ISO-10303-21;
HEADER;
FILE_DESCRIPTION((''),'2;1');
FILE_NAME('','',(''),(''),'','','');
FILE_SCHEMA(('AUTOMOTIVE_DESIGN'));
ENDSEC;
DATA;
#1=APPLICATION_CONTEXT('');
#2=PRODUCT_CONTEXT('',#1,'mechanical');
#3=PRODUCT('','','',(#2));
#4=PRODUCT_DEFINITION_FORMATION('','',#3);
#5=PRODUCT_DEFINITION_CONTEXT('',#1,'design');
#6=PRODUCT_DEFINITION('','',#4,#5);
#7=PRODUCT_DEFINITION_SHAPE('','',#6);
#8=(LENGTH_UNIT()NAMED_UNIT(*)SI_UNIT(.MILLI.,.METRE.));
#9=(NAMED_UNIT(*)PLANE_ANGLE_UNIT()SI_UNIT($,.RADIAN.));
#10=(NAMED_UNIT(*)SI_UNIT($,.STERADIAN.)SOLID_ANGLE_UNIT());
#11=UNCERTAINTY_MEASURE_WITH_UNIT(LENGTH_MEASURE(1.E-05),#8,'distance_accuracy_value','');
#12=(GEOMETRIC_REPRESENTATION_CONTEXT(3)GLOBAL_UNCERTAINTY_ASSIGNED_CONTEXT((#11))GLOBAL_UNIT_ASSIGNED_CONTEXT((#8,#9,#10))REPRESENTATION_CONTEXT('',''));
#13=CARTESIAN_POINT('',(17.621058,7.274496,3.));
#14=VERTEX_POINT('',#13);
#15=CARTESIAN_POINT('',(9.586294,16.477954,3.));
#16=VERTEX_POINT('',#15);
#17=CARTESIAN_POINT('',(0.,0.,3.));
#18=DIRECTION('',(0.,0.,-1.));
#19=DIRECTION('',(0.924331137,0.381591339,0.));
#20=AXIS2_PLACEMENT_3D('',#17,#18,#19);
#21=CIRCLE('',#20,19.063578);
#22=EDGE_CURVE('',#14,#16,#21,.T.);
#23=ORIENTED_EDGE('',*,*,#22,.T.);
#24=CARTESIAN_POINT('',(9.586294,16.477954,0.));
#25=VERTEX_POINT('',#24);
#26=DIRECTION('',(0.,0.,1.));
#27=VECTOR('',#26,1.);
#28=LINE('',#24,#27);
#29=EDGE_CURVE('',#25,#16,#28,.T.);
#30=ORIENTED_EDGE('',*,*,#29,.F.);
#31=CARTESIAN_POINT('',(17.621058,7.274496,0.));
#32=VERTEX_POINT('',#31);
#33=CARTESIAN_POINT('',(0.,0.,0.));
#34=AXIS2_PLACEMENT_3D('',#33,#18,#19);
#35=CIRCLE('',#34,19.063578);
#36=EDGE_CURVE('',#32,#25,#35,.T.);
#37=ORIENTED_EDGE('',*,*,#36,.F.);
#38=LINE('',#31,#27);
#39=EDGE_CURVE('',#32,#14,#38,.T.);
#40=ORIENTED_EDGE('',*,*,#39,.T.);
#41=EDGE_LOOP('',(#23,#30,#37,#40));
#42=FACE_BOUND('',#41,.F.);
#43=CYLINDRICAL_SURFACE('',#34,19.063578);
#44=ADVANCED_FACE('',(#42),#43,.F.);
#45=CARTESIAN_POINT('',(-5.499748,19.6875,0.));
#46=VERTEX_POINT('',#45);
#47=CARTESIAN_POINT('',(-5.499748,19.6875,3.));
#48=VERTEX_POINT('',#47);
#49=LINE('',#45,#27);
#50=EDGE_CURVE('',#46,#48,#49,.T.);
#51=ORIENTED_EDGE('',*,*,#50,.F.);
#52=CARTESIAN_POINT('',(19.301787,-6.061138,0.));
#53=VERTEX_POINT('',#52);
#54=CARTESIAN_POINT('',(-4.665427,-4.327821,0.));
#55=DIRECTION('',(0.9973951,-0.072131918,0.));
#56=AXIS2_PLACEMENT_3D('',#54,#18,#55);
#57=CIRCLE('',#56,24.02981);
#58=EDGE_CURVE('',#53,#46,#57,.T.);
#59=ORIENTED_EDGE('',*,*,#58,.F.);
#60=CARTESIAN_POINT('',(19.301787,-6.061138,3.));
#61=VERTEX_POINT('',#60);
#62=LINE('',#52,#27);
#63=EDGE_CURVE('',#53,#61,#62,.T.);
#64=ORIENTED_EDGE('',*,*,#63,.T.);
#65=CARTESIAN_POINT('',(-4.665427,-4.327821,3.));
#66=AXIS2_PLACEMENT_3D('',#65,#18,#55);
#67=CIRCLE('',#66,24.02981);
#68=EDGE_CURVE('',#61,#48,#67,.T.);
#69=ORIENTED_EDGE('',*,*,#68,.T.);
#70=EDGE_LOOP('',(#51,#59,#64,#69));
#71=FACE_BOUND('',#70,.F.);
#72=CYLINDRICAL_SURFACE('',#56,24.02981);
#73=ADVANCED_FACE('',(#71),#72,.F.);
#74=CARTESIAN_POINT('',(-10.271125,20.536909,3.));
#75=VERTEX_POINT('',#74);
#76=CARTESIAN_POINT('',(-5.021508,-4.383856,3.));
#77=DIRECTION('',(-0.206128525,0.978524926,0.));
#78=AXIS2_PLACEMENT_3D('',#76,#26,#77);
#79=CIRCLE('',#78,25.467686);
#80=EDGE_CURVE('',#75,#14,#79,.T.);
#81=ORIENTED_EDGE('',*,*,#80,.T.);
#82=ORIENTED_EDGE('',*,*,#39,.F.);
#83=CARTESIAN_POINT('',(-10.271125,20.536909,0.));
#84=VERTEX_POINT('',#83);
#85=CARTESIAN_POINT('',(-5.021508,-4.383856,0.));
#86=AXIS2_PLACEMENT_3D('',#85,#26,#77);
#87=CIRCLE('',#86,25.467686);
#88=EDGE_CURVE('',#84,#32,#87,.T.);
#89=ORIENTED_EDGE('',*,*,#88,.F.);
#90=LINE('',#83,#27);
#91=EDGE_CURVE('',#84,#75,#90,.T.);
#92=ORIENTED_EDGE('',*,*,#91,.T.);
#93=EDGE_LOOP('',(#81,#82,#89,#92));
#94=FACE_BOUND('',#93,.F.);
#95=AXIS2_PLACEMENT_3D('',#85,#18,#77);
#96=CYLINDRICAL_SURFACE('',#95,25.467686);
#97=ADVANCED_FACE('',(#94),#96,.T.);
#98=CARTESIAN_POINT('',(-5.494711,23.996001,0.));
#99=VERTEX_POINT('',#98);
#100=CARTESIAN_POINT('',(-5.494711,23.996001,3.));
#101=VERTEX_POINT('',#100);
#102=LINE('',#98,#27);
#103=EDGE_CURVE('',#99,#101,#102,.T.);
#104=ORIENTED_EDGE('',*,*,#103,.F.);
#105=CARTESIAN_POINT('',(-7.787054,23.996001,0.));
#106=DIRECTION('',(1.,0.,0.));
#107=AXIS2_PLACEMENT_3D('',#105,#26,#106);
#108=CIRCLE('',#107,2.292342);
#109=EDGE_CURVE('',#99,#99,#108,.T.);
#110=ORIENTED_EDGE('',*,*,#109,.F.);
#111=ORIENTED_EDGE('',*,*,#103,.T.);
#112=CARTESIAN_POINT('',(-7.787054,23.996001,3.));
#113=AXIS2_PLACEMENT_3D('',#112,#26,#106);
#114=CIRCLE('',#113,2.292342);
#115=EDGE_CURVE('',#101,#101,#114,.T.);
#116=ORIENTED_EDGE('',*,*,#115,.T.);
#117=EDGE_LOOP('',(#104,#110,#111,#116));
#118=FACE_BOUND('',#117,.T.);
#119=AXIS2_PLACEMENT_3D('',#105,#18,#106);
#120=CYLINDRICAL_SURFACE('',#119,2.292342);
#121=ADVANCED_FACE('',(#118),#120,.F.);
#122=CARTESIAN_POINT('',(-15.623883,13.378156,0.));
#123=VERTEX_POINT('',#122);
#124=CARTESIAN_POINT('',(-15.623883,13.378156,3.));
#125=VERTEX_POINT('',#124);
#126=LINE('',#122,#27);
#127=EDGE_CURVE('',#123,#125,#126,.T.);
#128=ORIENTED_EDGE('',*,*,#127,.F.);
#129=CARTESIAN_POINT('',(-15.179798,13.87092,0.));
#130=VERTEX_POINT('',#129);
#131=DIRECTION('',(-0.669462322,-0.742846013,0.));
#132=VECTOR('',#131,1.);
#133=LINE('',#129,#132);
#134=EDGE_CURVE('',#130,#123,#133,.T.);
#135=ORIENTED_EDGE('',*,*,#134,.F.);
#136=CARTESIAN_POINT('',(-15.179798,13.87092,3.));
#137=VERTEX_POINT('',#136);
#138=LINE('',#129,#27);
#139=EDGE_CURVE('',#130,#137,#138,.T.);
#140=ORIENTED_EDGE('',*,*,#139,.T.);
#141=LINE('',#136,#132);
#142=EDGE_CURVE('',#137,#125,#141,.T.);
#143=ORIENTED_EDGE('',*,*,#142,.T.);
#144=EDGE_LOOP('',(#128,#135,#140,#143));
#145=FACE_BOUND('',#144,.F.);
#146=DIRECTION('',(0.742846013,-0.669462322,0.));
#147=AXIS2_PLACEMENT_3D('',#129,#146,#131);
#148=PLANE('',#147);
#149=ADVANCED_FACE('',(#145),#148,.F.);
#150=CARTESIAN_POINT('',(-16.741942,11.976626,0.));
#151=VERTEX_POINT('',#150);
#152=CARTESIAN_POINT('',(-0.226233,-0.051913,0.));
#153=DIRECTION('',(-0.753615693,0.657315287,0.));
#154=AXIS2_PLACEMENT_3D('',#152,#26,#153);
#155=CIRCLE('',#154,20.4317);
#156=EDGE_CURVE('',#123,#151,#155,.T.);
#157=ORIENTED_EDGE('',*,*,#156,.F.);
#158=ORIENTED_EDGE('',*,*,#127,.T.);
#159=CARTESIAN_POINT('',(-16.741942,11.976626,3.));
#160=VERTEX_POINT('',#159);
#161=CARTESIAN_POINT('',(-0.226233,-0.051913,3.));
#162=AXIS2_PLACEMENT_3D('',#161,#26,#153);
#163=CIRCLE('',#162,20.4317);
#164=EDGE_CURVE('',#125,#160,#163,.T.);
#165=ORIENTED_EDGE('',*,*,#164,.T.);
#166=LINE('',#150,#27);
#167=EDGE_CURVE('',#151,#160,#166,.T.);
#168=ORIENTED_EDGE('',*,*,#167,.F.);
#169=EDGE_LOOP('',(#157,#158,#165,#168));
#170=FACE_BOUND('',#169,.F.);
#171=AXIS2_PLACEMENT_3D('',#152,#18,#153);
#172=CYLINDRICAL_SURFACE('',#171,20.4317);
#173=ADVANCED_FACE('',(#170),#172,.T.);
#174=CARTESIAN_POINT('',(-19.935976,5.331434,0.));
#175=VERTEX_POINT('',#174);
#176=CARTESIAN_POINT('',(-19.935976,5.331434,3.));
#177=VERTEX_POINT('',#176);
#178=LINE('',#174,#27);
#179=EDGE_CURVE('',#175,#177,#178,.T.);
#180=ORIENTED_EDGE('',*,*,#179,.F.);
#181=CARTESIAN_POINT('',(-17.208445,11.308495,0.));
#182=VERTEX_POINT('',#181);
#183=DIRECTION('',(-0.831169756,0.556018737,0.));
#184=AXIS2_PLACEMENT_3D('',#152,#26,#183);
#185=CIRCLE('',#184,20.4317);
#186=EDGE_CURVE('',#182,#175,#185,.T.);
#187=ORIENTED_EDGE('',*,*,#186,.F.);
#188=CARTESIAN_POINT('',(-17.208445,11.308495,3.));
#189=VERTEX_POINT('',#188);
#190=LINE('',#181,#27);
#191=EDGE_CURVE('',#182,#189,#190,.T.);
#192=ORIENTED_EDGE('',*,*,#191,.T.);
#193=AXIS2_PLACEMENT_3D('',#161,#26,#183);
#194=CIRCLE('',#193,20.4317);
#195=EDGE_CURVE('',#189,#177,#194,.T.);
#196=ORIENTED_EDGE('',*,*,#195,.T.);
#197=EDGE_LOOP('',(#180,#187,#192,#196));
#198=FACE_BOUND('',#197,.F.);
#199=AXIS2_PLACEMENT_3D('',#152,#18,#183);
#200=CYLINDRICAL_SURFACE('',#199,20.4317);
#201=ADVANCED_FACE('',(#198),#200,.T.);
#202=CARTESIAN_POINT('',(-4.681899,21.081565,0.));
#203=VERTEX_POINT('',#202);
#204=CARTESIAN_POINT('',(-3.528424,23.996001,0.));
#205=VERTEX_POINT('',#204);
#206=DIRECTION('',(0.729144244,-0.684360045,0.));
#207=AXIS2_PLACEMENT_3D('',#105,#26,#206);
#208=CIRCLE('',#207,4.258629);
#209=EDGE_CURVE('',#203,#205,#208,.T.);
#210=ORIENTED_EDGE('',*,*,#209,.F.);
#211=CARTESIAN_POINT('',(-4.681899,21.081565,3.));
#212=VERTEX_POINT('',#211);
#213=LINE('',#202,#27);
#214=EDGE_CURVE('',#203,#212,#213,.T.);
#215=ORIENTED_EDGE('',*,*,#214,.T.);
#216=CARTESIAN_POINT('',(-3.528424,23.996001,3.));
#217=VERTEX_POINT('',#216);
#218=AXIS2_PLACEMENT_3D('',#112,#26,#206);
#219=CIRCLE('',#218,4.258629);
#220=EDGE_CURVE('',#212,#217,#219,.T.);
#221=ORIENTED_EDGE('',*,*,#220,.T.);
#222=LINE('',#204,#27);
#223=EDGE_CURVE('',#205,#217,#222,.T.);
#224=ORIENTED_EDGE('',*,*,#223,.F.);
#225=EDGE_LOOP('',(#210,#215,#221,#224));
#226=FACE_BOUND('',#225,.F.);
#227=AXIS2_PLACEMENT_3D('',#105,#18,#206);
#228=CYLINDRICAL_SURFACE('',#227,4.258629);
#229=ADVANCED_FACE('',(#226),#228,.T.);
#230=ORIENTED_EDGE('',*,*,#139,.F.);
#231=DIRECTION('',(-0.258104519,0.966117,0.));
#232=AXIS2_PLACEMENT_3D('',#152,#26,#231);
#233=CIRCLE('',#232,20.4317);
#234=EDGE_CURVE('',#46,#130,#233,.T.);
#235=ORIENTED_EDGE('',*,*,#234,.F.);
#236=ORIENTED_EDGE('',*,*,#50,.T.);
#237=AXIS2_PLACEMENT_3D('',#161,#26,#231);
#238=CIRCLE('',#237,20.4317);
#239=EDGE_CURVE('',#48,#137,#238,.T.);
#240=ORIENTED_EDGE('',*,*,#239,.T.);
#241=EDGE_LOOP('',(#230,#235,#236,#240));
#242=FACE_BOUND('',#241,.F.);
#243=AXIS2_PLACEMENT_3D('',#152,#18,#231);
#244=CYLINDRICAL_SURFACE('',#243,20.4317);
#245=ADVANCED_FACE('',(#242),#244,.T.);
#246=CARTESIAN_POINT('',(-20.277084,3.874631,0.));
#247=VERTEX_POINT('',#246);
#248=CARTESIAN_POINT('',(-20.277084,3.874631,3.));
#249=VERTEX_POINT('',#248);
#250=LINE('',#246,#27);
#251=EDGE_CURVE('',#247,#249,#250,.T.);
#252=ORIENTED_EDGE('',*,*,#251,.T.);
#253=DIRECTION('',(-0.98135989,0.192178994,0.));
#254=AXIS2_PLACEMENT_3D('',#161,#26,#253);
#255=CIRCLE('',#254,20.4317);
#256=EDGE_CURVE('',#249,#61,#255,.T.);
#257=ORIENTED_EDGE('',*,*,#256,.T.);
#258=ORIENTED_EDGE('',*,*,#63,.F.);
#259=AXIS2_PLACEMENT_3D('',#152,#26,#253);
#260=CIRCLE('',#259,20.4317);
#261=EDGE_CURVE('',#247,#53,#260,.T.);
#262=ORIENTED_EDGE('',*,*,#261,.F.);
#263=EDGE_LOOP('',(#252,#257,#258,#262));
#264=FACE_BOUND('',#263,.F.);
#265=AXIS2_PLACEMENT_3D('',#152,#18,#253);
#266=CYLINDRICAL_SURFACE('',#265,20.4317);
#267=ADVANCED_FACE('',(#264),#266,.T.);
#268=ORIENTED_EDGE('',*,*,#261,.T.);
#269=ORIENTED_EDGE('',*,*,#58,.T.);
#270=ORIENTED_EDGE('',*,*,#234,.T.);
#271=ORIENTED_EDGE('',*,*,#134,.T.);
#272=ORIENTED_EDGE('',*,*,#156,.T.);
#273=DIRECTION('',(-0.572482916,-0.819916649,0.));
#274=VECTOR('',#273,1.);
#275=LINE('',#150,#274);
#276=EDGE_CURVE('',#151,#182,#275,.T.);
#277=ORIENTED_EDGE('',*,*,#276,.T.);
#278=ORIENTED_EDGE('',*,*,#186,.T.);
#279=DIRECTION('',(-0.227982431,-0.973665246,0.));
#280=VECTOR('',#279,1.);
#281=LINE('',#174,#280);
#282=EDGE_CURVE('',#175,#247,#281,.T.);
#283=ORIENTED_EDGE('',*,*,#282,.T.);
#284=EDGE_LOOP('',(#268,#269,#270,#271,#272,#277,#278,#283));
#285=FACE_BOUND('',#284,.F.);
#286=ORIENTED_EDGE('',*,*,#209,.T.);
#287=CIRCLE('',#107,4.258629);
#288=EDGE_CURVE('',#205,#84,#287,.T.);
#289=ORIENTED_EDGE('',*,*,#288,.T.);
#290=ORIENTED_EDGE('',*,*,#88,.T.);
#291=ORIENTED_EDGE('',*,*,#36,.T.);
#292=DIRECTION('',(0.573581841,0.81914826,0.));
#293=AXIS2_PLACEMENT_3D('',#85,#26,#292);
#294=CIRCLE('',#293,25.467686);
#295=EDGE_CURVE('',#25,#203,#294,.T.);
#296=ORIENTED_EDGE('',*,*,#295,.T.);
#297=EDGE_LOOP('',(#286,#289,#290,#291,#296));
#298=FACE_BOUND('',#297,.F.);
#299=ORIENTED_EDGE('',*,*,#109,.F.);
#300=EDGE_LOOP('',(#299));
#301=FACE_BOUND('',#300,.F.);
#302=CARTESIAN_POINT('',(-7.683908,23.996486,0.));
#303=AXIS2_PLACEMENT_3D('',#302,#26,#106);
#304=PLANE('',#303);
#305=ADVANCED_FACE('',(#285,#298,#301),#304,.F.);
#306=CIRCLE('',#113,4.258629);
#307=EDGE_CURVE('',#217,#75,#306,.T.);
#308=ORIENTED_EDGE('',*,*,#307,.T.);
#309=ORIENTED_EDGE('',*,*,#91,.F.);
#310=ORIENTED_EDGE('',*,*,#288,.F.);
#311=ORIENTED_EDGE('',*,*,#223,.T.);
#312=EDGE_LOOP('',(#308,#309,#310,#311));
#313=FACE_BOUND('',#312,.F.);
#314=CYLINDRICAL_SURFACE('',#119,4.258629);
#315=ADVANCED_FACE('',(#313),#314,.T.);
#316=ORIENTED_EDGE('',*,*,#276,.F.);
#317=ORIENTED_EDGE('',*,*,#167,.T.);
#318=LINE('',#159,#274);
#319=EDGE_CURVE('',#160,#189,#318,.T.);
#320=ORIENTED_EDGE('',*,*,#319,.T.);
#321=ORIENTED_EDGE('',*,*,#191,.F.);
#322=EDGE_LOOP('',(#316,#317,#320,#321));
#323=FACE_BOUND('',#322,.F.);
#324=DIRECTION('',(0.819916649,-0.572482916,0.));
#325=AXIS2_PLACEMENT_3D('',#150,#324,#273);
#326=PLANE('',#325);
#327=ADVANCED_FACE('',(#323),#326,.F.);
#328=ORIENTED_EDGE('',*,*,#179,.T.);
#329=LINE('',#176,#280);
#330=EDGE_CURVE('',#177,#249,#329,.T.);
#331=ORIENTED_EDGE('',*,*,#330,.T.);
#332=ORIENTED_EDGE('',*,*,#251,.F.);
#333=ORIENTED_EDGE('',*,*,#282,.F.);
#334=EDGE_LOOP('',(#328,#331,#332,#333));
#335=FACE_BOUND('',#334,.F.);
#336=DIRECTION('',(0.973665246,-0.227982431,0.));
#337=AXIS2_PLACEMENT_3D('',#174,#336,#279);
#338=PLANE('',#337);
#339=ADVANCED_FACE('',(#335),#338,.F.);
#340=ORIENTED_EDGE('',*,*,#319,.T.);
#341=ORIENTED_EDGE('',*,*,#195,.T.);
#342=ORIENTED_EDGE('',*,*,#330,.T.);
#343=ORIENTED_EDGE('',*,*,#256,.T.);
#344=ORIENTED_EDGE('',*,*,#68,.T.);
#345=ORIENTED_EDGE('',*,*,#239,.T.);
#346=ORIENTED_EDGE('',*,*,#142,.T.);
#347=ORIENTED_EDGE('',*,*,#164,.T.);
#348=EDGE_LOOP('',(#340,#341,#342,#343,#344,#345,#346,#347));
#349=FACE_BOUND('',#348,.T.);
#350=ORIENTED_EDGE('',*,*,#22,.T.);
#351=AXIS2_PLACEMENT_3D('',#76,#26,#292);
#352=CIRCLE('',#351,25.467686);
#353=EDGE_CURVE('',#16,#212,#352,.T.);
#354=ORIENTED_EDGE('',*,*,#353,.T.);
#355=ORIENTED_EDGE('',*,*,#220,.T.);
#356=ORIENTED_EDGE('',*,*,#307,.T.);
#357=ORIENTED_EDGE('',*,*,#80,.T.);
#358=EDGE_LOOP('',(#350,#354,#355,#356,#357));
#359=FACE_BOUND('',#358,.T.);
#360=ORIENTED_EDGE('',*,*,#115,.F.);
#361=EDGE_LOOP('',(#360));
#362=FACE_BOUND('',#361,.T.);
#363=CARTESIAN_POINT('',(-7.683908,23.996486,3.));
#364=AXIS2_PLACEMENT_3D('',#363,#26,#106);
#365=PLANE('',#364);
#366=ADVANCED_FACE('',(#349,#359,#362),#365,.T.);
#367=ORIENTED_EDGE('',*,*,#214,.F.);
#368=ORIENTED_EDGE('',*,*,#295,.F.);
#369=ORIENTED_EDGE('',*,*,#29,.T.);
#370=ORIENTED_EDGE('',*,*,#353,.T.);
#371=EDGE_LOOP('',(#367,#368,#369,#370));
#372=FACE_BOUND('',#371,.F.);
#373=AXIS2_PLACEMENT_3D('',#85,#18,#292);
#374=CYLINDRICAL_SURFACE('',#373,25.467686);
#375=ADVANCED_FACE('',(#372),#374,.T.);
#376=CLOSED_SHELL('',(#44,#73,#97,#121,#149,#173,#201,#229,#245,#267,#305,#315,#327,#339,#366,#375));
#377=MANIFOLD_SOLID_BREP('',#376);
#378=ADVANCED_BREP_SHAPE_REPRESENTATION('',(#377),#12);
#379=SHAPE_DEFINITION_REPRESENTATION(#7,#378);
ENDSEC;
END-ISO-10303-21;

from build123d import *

# Parameters (mm, degrees)
F0_R     = 2.2923424458
F1_DEPTH = 3


with BuildPart() as f1:
    # F0 (on Top) → F1 (new body)
    with BuildSketch(Plane.XY):
        with BuildLine():
            ThreePointArc((-10.2711248099, 20.5369088401), (-7.4915699128, 20.9637629982), (-4.6818986464, 21.0815648356))
            ThreePointArc((-4.6818986464, 21.0815648356), (-3.8272791749, 22.4288026174), (-3.528424334, 23.9960007114))
            ThreePointArc((-3.528424334, 23.9960007114), (-9.7309143278, 27.7851076735), (-10.2711248099, 20.5369088401))
        make_face()
        with Locations((-7.7870538317, 23.9960007114)):
            Circle(F0_R, mode=Mode.SUBTRACT)
        with BuildLine():
            ThreePointArc((-10.2711248099, 20.5369088401), (-7.3740175906, 19.7574483332), (-4.6818986464, 21.0815648356))
            ThreePointArc((-4.6818986464, 21.0815648356), (-7.4915699128, 20.9637629982), (-10.2711248099, 20.5369088401))
        make_face()
        with BuildLine():
            ThreePointArc((17.6210584616, 7.2744961396), (-14.3609161452, -12.5373076401), (9.5862937371, 16.4779539925))
            ThreePointArc((9.5862937371, 16.4779539925), (2.7986315485, 19.8534789731), (-4.6818986464, 21.0815648356))
            ThreePointArc((-4.6818986464, 21.0815648356), (-7.3740175906, 19.7574483332), (-10.2711248099, 20.5369088401))
            ThreePointArc((-10.2711248099, 20.5369088401), (-15.9577589353, -27.3838876789), (17.6210584616, 7.2744961396))
        make_face()
        with BuildLine():
            ThreePointArc((19.3017870188, -6.0611376539), (-21.9723847969, -20.9981833276), (-5.4997475818, 19.687499851))
            ThreePointArc((-5.4997475818, 19.687499851), (-10.7496275746, 17.4612976364), (-15.179797656, 13.870920318))
            Line((-15.179797656, 13.870920318), (-15.6238832555, 13.3781558918))
            ThreePointArc((-15.6238832555, 13.3781558918), (-16.1982928509, 12.6896602283), (-16.7419419606, 11.9766256516))
            Line((-16.7419419606, 11.9766256516), (-17.2084446119, 11.3084951626))
            ThreePointArc((-17.2084446119, 11.3084951626), (-18.814029944, 8.43031492), (-19.9359758104, 5.3314339541))
            Line((-19.9359758104, 5.3314339541), (-20.2770843766, 3.8746306645))
            ThreePointArc((-20.2770843766, 3.8746306645), (-5.2009908425, -19.8687278573), (19.3017870188, -6.0611376539))
        make_face(mode=Mode.SUBTRACT)
    extrude(amount=F1_DEPTH)


solid = f1.part
